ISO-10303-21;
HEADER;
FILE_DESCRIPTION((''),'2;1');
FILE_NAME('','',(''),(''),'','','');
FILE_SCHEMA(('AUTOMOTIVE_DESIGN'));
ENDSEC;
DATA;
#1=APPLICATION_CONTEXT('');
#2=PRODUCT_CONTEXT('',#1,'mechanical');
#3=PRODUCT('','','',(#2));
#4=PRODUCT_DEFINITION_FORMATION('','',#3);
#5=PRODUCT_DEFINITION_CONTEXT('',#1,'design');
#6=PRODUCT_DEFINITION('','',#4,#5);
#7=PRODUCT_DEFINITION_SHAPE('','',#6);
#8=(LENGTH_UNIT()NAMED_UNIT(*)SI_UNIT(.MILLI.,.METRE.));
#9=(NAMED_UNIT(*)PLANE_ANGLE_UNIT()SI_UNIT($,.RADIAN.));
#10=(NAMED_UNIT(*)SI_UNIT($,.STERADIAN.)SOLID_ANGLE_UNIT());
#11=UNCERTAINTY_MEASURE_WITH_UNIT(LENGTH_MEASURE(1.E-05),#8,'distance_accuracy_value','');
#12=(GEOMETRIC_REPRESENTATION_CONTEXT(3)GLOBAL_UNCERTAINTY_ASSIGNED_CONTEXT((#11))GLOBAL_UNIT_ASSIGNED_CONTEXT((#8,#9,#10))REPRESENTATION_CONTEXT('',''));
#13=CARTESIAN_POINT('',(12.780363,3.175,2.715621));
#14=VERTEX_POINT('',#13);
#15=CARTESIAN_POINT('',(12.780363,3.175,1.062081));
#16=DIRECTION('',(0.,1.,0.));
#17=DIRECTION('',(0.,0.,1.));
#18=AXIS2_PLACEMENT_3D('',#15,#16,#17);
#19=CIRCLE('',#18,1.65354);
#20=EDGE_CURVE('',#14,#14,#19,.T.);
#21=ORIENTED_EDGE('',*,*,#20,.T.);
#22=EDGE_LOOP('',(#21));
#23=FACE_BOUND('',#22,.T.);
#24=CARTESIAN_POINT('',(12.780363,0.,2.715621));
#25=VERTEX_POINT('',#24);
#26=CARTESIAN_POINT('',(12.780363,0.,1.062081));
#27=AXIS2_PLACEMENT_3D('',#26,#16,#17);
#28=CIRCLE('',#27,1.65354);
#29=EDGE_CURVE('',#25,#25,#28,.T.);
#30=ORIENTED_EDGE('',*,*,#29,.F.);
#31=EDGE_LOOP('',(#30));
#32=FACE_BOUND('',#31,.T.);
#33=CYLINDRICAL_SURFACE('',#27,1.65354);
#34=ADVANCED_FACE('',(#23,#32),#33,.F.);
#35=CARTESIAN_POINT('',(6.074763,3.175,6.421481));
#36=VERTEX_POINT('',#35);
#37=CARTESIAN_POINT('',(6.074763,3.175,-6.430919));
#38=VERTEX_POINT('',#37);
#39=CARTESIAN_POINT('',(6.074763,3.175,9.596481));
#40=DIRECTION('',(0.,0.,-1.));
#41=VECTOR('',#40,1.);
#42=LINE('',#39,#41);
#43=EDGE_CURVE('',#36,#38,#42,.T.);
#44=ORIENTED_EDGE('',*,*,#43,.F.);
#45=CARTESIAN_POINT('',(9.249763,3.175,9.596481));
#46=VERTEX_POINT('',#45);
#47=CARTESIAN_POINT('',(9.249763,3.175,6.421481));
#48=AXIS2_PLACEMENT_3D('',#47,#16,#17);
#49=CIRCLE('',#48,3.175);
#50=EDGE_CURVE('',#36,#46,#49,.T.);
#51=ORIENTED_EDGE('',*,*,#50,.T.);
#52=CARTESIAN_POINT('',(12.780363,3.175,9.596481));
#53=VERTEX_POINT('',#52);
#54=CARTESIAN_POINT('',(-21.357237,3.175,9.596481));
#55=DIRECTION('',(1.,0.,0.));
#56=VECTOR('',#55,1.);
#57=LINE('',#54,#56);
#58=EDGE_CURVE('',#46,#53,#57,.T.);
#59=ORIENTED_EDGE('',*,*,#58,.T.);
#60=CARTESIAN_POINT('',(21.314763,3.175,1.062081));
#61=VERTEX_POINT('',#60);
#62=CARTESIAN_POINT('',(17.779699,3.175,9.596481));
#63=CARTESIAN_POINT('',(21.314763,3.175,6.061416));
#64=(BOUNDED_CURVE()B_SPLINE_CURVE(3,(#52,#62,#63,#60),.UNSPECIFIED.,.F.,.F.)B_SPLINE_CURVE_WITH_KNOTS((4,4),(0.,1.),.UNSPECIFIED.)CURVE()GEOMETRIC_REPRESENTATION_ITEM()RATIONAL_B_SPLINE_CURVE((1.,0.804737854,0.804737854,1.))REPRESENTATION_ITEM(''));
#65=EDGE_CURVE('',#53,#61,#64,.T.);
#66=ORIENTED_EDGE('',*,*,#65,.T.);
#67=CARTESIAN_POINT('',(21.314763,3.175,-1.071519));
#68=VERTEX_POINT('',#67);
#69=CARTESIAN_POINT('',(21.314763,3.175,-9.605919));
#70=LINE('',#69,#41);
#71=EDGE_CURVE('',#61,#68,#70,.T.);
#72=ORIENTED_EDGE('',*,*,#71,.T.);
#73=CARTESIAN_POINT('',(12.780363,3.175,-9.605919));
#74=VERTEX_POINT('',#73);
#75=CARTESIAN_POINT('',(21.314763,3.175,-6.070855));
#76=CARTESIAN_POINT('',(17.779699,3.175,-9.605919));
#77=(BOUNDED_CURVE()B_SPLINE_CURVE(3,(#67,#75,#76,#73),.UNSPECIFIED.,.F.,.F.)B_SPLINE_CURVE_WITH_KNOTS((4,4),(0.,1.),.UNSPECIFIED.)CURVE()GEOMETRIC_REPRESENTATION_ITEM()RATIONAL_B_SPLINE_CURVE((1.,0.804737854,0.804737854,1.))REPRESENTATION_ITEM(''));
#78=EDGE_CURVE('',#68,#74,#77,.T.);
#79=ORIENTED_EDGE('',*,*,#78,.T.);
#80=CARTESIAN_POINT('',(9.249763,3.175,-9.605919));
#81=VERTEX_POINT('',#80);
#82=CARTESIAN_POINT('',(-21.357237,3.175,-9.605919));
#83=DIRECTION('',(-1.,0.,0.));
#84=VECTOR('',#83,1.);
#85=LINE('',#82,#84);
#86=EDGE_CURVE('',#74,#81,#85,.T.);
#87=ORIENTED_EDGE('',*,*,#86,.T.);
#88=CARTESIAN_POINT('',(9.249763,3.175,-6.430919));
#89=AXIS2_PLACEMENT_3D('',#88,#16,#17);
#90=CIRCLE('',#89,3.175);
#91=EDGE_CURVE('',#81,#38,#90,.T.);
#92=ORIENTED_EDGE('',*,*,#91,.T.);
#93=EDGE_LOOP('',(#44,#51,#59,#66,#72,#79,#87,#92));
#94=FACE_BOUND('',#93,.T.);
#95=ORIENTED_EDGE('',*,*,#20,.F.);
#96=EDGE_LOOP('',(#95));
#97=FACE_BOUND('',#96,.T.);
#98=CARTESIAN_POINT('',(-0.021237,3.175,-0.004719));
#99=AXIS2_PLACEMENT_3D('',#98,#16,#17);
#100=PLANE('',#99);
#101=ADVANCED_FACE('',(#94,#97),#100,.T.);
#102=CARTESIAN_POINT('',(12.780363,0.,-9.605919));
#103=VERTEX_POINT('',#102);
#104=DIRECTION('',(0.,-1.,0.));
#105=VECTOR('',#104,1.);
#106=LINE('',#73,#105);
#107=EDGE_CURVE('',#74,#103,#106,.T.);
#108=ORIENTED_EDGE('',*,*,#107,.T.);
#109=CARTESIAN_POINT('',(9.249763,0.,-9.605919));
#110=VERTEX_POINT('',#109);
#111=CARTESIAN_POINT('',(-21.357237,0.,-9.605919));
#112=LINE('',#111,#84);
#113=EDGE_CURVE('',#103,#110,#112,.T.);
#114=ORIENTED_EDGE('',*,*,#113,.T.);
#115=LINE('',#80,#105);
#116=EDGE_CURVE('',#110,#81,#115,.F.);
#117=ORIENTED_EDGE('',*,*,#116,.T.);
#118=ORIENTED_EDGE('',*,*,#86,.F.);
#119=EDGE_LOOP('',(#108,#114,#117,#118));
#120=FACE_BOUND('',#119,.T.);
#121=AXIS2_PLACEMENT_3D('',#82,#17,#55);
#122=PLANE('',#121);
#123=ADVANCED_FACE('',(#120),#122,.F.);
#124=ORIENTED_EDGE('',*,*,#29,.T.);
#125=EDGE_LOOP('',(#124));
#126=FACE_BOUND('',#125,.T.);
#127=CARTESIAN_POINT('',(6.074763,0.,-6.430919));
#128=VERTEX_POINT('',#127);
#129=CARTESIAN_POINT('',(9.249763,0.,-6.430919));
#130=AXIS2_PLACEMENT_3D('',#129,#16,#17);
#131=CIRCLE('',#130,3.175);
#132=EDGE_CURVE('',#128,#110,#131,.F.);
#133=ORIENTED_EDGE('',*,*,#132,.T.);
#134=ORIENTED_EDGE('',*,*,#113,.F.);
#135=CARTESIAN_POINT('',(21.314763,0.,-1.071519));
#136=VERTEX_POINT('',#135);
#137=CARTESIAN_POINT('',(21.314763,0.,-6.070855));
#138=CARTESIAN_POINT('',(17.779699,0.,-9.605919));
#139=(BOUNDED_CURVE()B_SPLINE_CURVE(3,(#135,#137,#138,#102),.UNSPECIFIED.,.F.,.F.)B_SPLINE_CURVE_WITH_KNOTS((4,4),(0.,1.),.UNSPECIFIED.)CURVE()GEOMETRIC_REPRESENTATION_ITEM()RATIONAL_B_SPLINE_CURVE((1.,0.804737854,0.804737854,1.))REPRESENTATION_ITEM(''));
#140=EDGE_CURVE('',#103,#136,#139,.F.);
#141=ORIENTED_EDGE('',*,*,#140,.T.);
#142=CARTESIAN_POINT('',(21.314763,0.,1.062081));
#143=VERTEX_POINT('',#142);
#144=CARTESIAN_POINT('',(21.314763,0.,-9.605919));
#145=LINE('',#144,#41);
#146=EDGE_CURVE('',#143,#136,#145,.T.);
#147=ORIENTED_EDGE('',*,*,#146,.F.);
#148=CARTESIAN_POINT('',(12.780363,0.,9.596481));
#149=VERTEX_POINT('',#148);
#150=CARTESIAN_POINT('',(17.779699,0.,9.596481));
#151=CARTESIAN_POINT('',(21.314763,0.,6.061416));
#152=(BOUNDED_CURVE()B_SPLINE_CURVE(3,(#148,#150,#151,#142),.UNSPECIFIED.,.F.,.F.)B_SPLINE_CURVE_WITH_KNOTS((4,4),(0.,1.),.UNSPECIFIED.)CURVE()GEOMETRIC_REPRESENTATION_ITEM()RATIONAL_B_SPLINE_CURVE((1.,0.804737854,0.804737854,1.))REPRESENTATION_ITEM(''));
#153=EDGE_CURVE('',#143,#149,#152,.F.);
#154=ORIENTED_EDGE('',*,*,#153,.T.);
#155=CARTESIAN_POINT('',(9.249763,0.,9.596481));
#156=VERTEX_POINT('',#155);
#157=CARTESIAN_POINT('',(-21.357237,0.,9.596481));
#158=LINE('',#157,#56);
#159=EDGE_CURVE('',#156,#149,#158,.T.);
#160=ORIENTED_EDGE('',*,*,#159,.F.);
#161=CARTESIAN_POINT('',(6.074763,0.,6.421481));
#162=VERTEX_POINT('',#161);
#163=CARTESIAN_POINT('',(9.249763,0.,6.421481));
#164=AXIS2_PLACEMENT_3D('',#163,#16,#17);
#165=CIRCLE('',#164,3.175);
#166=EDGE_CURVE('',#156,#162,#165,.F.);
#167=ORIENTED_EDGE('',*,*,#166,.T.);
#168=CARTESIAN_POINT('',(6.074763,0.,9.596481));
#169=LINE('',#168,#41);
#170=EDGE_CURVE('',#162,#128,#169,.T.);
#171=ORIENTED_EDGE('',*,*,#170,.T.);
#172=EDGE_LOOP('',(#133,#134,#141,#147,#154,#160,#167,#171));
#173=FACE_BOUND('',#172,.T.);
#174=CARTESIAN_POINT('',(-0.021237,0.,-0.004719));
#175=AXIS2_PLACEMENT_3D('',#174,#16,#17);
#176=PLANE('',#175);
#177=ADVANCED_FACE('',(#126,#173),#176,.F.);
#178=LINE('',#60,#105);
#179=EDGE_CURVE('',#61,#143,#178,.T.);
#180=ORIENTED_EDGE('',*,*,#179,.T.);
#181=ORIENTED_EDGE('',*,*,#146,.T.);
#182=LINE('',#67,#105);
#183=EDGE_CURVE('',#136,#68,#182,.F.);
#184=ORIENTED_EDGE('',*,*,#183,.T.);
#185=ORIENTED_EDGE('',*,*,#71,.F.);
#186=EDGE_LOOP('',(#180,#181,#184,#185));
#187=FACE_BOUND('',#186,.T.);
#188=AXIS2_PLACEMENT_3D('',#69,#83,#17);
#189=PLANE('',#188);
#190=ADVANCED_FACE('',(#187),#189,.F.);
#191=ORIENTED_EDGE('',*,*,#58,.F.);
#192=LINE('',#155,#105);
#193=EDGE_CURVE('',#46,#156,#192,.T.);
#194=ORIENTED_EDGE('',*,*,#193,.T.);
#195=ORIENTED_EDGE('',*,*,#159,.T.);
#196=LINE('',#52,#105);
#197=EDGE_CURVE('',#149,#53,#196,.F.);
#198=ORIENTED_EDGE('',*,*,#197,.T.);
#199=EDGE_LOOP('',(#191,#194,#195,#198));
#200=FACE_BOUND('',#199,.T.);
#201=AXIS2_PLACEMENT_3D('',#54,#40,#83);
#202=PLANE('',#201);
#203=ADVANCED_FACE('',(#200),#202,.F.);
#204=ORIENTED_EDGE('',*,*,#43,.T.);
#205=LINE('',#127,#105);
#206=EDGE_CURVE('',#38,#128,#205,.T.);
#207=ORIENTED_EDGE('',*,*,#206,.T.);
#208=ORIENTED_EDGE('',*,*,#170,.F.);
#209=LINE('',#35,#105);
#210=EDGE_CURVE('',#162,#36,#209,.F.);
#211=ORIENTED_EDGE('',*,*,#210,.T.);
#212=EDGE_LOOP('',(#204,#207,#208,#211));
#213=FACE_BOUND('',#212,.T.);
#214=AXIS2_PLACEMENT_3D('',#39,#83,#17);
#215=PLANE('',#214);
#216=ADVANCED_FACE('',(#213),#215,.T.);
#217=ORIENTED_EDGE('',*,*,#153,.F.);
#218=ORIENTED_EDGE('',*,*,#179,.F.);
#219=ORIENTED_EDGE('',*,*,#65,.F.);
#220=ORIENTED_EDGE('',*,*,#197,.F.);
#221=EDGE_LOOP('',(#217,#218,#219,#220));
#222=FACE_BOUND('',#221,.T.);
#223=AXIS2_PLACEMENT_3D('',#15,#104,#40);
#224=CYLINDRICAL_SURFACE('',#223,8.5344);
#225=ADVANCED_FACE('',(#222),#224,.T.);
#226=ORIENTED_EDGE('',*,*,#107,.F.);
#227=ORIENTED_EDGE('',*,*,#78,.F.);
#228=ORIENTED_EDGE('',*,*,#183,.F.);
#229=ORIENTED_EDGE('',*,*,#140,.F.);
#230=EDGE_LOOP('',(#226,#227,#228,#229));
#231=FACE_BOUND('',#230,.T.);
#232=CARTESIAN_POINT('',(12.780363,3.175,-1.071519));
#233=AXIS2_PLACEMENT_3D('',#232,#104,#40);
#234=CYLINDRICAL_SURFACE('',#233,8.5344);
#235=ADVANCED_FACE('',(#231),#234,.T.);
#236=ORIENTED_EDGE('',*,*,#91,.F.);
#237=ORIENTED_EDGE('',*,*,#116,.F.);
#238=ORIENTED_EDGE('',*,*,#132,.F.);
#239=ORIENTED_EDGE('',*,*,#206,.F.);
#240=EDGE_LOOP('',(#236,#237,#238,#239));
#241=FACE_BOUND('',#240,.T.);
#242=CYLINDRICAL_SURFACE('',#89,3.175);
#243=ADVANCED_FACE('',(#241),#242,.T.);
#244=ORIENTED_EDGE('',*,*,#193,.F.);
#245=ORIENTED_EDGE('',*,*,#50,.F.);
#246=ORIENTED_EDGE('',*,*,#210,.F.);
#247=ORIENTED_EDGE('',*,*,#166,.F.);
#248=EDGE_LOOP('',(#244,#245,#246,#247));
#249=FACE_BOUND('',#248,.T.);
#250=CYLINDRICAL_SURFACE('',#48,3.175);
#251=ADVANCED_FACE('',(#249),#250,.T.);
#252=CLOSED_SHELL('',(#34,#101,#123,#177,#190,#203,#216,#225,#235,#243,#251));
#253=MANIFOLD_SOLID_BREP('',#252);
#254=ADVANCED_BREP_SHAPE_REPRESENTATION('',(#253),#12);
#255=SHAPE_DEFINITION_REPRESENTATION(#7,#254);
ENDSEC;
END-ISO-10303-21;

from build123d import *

# Parameters (mm, degrees)
SKETCH1_W           = 50.8
SKETCH1_H           = 22.86
BOSS_EXTRUDE1_DEPTH = 3.175
FILLET1_R           = 10.16
SKETCH3_R           = 1.9685
CUT_EXTRUDE1_DEPTH  = 29.033649869
FILLET3_R           = 10.16
SCALE1_SCALE_X      = 0.84
SCALE1_SCALE_Y      = 1
SCALE1_SCALE_Z      = 0.84
SKETCH4_W           = 27.432
SKETCH4_H           = 19.2024
CUT_EXTRUDE2_DEPTH  = 24.632305844
FILLET4_R           = 3.175


with BuildPart() as part:
    # Sketch1 → Boss-Extrude1 (new body)
    with BuildSketch(Plane(origin=(0, 0, 0), x_dir=(1, 0, 0), z_dir=(0, 1, 0))):
        Rectangle(SKETCH1_W, SKETCH1_H)
    extrude(amount=BOSS_EXTRUDE1_DEPTH)

    # Fillet1
    fillet1_edges = [part.edges().sort_by_distance(p)[0] for p in [
        (25.4, 1.5875, 11.43),
        (-25.4, 1.5875, 11.43),
    ]]
    fillet(fillet1_edges, radius=FILLET1_R)

    # Sketch3 → Cut-Extrude1 (cut, through all)
    with BuildSketch(Plane(origin=(0, 3.175, 0), x_dir=(1, 0, 0), z_dir=(0, 1, 0))):
        with Locations(Location((15.24, -1.27, 0), (0, 0, 270))):
            Circle(SKETCH3_R)
        with Locations(Location((-3.81, -1.27, 0), (0, 0, 270))):
            Circle(SKETCH3_R)
    extrude(amount=-CUT_EXTRUDE1_DEPTH, mode=Mode.SUBTRACT)

    # Fillet3
    fillet3_edges = [part.edges().sort_by_distance(p)[0] for p in [
        (-25.4, 1.5875, -11.43),
        (25.4, 1.5875, -11.43),
    ]]
    fillet(fillet3_edges, radius=FILLET3_R)


with BuildPart() as part_1:
    # Scale1: scaled about (-0.132729811, 1.5875, -0.029495513)
    add(part.part.scale((SCALE1_SCALE_X, SCALE1_SCALE_Y, SCALE1_SCALE_Z), about=(-0.132729811, 1.5875, -0.029495513)))

    # Sketch4 → Cut-Extrude2 (cut, through all)
    with BuildSketch(Plane(origin=(0, 0, 0), x_dir=(-1, 0, 0), z_dir=(0, -1, 0))):
        with Locations((7.64123677, 0.004719282)):
            Rectangle(SKETCH4_W, SKETCH4_H)
    extrude(amount=-CUT_EXTRUDE2_DEPTH, mode=Mode.SUBTRACT)

    # Fillet4
    fillet4_edges = [part_1.edges().sort_by_distance(p)[0] for p in [
        (6.07476323, 1.5875, 9.596480718),
        (6.07476323, 1.5875, -9.605919282),
    ]]
    fillet(fillet4_edges, radius=FILLET4_R)


solid = part_1.part
